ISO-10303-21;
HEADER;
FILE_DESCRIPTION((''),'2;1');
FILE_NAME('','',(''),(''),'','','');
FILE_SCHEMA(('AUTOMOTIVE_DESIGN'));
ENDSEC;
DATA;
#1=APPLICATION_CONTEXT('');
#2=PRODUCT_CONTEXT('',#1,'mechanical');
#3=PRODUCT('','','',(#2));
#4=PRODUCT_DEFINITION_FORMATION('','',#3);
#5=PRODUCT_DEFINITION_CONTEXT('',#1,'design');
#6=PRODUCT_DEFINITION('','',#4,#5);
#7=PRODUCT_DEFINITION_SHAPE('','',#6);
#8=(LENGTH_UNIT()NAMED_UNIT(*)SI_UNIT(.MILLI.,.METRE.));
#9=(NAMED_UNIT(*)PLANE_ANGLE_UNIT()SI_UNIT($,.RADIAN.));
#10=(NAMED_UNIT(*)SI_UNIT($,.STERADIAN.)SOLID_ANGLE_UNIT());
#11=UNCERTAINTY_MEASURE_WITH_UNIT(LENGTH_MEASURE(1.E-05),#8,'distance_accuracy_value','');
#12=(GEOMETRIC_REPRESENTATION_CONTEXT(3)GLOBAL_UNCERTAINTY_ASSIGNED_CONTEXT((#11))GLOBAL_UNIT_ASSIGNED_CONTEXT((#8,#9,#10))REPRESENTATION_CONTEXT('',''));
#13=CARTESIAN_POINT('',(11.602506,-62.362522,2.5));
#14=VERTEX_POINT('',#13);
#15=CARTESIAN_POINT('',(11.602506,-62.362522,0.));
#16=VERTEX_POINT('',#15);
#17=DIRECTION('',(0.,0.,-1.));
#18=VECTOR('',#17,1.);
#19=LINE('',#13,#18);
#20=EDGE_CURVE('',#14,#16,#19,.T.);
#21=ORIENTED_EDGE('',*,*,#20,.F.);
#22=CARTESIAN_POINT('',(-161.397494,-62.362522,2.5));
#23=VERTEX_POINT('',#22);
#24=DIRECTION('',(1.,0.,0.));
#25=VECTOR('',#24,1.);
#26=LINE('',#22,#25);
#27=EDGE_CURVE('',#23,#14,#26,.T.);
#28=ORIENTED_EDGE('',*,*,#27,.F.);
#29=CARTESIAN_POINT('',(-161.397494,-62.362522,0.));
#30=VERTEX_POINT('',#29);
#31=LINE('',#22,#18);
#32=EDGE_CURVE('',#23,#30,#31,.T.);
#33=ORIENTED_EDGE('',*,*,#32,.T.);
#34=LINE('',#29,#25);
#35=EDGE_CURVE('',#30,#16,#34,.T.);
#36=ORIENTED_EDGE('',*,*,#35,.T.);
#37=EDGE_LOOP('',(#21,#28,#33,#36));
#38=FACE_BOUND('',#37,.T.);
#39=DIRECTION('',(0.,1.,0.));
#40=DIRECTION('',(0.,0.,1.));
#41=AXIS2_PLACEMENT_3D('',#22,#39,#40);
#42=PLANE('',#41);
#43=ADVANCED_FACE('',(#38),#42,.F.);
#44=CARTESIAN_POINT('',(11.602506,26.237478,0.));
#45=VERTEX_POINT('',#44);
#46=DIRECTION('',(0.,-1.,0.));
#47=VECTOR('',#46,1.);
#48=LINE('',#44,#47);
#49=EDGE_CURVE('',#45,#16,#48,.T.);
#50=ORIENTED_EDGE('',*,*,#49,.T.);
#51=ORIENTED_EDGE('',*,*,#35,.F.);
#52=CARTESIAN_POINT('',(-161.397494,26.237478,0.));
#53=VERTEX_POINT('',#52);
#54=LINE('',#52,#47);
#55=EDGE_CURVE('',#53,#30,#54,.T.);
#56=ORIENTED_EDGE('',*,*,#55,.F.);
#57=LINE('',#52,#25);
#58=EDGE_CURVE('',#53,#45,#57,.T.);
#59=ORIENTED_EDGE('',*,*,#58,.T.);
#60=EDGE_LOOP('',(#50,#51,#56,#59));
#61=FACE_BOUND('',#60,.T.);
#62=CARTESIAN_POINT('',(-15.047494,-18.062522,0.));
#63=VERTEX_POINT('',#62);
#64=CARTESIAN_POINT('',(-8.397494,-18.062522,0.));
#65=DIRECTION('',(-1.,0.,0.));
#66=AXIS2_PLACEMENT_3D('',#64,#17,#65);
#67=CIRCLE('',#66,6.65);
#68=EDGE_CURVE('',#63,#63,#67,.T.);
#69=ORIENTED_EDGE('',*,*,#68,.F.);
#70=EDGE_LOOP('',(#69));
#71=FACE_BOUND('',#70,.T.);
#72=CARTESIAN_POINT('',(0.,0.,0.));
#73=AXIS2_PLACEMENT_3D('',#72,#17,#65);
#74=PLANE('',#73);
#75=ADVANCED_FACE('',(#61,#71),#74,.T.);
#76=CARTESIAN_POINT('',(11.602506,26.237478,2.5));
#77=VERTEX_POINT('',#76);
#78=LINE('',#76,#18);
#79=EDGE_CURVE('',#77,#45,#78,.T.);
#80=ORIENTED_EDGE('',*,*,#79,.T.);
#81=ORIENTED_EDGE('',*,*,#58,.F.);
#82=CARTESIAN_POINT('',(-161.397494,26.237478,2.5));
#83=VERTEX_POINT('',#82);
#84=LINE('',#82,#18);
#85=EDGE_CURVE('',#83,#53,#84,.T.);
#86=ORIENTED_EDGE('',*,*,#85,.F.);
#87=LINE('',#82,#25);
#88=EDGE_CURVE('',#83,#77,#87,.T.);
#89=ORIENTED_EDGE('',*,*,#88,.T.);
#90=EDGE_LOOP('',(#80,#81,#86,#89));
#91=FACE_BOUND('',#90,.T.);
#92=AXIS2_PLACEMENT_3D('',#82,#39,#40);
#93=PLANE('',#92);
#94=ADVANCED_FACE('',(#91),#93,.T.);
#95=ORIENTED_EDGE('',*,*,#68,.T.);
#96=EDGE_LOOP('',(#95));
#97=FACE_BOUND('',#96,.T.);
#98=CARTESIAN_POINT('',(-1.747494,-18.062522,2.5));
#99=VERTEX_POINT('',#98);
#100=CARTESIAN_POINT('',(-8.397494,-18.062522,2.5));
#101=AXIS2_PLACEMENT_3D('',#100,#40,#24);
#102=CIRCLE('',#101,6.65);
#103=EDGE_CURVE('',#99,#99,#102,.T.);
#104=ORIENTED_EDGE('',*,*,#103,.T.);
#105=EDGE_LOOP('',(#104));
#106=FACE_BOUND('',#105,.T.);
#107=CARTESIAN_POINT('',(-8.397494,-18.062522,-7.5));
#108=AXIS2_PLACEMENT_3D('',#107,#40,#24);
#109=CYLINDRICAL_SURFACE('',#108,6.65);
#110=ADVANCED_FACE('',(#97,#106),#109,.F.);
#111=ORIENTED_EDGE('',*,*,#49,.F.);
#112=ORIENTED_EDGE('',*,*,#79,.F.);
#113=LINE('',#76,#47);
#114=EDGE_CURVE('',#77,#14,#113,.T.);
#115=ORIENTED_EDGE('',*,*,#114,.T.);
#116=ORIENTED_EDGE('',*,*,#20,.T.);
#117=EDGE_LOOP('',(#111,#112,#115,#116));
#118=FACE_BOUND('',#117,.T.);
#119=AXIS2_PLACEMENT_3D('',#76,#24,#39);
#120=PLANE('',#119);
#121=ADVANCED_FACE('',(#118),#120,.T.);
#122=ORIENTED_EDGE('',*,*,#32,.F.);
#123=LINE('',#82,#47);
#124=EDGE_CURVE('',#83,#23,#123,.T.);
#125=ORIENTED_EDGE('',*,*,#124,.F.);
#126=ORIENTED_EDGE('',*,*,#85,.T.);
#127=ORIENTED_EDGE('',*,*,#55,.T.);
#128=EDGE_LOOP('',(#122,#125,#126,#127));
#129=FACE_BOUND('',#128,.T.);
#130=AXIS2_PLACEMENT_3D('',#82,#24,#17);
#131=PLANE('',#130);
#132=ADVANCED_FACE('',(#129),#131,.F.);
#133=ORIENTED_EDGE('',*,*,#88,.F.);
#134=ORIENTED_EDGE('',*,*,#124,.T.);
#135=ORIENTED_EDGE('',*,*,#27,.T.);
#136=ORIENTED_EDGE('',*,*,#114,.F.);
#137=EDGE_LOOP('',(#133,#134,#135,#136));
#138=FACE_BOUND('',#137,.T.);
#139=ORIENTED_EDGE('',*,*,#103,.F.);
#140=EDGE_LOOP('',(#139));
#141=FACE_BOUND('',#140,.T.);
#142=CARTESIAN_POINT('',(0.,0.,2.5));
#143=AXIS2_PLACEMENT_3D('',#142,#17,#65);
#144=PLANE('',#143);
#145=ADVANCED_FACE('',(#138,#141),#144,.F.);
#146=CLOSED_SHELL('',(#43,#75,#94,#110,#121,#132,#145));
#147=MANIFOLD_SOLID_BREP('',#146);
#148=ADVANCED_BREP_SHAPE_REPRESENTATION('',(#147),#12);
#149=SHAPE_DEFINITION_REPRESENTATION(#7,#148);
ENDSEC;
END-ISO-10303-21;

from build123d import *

# Parameters (mm, degrees)
SKETCH3_W           = 173
SKETCH3_H           = 88.6
BOSS_EXTRUDE1_DEPTH = 2.5
SKETCH4_R           = 6.65
CUT_EXTRUDE1_DEPTH  = 10


with BuildPart() as part:
    # Sketch3 → Boss-Extrude1 (new body)
    with BuildSketch(Plane.XY):
        with Locations((-74.897494343, -18.062521629)):
            Rectangle(SKETCH3_W, SKETCH3_H)
    extrude(amount=BOSS_EXTRUDE1_DEPTH)

    # Sketch4 → Cut-Extrude1 (cut)
    with BuildSketch(Plane.XY.offset(2.5)):
        with Locations((-8.397494343, -18.062521629)):
            Circle(SKETCH4_R)
    extrude(amount=-CUT_EXTRUDE1_DEPTH, mode=Mode.SUBTRACT)


solid = part.part
